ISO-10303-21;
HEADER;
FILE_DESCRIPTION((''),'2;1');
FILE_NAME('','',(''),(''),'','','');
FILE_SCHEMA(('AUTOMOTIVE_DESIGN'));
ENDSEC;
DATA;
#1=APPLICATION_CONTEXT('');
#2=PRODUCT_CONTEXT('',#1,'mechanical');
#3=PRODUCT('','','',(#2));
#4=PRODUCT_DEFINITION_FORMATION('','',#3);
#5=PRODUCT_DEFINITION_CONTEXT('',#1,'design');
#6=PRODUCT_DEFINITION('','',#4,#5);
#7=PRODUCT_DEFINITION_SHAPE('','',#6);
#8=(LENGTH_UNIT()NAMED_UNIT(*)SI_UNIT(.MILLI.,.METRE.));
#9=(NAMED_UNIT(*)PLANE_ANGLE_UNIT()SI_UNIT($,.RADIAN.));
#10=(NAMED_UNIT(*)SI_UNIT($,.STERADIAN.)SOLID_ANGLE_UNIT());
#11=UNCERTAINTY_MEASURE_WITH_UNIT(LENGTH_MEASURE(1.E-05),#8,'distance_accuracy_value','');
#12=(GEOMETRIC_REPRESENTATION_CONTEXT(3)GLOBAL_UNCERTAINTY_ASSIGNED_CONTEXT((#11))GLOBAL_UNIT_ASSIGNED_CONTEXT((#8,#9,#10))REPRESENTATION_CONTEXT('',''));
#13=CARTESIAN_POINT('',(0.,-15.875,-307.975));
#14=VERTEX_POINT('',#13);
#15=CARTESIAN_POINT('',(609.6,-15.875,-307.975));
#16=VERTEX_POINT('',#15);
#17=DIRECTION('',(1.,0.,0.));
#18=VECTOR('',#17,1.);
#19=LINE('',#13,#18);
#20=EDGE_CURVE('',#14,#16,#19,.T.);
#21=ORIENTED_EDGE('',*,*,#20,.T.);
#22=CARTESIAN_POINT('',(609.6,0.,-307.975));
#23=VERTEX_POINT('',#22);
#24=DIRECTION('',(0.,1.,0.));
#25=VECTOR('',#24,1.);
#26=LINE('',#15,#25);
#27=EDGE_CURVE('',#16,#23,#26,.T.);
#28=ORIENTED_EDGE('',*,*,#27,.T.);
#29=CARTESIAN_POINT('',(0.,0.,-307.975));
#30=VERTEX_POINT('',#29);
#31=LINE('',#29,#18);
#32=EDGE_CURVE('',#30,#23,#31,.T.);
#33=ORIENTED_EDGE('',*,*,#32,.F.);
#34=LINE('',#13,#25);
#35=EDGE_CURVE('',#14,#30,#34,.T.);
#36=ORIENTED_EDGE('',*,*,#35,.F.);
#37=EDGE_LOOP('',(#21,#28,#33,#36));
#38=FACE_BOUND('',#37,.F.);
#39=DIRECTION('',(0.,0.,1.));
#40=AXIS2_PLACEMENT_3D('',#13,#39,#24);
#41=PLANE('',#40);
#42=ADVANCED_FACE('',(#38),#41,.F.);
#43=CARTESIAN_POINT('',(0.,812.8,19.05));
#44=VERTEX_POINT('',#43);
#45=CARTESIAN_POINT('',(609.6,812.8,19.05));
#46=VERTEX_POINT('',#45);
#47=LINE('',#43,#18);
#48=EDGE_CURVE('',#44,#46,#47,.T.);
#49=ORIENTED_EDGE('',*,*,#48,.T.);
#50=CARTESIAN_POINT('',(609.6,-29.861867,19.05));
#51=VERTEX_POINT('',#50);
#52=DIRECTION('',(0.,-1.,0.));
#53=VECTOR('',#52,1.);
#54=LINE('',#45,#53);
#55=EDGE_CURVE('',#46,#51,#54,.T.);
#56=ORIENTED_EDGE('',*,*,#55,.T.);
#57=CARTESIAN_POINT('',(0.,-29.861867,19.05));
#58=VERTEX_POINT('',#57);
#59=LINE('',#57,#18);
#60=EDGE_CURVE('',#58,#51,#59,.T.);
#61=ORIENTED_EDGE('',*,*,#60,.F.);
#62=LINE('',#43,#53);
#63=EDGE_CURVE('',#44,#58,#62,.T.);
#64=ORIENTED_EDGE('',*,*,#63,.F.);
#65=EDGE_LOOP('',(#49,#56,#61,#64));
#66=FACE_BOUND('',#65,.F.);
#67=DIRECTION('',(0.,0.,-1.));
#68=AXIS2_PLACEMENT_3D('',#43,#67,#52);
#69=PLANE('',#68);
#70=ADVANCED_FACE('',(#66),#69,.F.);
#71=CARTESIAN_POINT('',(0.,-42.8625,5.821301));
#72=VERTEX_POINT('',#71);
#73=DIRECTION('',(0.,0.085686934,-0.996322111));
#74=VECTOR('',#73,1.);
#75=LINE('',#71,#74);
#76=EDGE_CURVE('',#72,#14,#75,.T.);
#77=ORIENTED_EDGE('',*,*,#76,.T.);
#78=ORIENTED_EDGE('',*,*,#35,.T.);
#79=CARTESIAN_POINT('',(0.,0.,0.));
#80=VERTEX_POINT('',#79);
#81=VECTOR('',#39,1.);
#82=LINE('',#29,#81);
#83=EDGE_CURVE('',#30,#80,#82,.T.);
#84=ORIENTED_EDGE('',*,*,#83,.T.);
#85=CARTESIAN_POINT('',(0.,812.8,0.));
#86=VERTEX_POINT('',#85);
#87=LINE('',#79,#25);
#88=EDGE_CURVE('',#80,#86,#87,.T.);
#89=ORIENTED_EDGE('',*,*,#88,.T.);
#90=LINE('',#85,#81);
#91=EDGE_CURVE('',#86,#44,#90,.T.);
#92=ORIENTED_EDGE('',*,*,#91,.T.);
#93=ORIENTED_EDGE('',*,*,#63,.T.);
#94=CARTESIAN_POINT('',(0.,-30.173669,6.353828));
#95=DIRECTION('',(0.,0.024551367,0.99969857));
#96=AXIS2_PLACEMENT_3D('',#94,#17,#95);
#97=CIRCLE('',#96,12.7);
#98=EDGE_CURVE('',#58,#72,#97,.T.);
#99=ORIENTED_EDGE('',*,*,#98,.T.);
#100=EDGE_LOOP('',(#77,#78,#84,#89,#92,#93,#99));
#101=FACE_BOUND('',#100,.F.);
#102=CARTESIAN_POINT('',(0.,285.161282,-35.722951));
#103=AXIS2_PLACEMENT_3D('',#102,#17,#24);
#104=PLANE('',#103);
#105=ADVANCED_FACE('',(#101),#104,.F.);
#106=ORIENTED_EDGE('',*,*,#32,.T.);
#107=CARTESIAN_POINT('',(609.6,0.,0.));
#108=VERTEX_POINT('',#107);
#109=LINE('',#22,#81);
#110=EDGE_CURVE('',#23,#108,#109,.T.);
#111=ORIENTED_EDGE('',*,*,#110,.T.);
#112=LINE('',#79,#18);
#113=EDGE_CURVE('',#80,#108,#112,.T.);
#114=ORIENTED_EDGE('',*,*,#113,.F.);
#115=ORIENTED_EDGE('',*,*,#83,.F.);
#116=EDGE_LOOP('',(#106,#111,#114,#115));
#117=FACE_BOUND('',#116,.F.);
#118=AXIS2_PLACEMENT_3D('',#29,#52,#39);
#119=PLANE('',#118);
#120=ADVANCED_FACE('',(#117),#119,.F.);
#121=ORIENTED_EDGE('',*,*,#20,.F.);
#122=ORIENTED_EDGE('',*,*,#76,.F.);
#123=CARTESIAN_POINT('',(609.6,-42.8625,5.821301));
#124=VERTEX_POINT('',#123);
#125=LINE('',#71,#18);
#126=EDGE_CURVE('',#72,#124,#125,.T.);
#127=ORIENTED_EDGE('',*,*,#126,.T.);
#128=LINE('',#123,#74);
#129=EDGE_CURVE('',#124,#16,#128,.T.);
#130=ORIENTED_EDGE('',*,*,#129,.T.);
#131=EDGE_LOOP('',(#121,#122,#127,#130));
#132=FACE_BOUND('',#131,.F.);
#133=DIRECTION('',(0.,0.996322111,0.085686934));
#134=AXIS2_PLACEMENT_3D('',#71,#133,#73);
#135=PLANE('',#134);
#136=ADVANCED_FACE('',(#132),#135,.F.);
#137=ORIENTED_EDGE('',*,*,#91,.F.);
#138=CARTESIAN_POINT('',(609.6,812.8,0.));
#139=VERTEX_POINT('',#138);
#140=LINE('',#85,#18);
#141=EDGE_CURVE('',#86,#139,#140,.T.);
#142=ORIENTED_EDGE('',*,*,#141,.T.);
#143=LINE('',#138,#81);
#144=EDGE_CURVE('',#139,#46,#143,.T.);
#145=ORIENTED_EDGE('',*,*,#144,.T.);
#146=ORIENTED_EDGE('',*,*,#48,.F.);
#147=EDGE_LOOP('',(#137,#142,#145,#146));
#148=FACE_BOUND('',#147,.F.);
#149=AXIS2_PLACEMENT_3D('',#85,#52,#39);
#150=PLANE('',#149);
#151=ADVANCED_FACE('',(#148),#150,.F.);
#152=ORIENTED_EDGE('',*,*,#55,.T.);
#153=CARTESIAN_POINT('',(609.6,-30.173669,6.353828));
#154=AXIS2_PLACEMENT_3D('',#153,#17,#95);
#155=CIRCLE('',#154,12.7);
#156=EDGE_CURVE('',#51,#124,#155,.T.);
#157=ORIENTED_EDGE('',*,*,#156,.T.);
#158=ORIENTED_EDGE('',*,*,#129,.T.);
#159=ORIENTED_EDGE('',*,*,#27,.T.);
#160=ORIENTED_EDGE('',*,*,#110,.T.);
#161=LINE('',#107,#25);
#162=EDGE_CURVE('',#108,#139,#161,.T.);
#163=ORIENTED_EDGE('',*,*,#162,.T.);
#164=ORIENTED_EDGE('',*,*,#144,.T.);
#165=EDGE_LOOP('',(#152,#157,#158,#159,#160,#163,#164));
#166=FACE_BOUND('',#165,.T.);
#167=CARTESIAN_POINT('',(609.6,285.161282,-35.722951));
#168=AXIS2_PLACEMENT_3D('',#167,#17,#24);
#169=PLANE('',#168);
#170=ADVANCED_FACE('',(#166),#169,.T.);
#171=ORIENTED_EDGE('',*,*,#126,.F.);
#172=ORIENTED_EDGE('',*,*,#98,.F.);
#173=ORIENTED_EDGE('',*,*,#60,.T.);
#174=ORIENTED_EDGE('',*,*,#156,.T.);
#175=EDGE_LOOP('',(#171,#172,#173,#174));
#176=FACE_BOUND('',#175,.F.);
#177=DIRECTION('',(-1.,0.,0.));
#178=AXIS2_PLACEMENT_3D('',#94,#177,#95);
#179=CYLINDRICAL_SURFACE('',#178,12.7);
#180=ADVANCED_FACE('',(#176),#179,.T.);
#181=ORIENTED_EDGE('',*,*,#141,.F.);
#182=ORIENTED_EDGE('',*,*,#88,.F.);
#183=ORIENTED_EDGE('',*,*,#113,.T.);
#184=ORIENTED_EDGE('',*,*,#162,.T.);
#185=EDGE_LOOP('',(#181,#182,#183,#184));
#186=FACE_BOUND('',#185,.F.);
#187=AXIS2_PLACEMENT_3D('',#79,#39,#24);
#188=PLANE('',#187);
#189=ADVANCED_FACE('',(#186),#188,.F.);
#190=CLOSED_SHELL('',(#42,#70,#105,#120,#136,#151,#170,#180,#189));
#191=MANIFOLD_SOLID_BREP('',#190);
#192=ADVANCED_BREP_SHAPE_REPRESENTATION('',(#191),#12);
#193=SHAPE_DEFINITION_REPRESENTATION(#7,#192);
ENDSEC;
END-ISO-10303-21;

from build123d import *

# Parameters (mm, degrees)
F1_DEPTH = 609.6


with BuildPart() as f1:
    # F0 (on Right) → F1 (new body)
    with BuildSketch(Plane.YZ):
        with BuildLine():
            Line((0, -307.975), (0, 0))
            Line((0, 0), (812.8, 0))
            Line((812.8, 0), (812.8, 19.05))
            Line((812.8, 19.05), (-29.861867, 19.05))
            ThreePointArc((-29.861867, 19.05), (-39.231667, 15.255664), (-42.8625, 5.821301))
            Line((-42.8625, 5.821301), (-15.875, -307.975))
            Line((-15.875, -307.975), (0, -307.975))
        make_face()
    extrude(amount=F1_DEPTH)


solid = f1.part
